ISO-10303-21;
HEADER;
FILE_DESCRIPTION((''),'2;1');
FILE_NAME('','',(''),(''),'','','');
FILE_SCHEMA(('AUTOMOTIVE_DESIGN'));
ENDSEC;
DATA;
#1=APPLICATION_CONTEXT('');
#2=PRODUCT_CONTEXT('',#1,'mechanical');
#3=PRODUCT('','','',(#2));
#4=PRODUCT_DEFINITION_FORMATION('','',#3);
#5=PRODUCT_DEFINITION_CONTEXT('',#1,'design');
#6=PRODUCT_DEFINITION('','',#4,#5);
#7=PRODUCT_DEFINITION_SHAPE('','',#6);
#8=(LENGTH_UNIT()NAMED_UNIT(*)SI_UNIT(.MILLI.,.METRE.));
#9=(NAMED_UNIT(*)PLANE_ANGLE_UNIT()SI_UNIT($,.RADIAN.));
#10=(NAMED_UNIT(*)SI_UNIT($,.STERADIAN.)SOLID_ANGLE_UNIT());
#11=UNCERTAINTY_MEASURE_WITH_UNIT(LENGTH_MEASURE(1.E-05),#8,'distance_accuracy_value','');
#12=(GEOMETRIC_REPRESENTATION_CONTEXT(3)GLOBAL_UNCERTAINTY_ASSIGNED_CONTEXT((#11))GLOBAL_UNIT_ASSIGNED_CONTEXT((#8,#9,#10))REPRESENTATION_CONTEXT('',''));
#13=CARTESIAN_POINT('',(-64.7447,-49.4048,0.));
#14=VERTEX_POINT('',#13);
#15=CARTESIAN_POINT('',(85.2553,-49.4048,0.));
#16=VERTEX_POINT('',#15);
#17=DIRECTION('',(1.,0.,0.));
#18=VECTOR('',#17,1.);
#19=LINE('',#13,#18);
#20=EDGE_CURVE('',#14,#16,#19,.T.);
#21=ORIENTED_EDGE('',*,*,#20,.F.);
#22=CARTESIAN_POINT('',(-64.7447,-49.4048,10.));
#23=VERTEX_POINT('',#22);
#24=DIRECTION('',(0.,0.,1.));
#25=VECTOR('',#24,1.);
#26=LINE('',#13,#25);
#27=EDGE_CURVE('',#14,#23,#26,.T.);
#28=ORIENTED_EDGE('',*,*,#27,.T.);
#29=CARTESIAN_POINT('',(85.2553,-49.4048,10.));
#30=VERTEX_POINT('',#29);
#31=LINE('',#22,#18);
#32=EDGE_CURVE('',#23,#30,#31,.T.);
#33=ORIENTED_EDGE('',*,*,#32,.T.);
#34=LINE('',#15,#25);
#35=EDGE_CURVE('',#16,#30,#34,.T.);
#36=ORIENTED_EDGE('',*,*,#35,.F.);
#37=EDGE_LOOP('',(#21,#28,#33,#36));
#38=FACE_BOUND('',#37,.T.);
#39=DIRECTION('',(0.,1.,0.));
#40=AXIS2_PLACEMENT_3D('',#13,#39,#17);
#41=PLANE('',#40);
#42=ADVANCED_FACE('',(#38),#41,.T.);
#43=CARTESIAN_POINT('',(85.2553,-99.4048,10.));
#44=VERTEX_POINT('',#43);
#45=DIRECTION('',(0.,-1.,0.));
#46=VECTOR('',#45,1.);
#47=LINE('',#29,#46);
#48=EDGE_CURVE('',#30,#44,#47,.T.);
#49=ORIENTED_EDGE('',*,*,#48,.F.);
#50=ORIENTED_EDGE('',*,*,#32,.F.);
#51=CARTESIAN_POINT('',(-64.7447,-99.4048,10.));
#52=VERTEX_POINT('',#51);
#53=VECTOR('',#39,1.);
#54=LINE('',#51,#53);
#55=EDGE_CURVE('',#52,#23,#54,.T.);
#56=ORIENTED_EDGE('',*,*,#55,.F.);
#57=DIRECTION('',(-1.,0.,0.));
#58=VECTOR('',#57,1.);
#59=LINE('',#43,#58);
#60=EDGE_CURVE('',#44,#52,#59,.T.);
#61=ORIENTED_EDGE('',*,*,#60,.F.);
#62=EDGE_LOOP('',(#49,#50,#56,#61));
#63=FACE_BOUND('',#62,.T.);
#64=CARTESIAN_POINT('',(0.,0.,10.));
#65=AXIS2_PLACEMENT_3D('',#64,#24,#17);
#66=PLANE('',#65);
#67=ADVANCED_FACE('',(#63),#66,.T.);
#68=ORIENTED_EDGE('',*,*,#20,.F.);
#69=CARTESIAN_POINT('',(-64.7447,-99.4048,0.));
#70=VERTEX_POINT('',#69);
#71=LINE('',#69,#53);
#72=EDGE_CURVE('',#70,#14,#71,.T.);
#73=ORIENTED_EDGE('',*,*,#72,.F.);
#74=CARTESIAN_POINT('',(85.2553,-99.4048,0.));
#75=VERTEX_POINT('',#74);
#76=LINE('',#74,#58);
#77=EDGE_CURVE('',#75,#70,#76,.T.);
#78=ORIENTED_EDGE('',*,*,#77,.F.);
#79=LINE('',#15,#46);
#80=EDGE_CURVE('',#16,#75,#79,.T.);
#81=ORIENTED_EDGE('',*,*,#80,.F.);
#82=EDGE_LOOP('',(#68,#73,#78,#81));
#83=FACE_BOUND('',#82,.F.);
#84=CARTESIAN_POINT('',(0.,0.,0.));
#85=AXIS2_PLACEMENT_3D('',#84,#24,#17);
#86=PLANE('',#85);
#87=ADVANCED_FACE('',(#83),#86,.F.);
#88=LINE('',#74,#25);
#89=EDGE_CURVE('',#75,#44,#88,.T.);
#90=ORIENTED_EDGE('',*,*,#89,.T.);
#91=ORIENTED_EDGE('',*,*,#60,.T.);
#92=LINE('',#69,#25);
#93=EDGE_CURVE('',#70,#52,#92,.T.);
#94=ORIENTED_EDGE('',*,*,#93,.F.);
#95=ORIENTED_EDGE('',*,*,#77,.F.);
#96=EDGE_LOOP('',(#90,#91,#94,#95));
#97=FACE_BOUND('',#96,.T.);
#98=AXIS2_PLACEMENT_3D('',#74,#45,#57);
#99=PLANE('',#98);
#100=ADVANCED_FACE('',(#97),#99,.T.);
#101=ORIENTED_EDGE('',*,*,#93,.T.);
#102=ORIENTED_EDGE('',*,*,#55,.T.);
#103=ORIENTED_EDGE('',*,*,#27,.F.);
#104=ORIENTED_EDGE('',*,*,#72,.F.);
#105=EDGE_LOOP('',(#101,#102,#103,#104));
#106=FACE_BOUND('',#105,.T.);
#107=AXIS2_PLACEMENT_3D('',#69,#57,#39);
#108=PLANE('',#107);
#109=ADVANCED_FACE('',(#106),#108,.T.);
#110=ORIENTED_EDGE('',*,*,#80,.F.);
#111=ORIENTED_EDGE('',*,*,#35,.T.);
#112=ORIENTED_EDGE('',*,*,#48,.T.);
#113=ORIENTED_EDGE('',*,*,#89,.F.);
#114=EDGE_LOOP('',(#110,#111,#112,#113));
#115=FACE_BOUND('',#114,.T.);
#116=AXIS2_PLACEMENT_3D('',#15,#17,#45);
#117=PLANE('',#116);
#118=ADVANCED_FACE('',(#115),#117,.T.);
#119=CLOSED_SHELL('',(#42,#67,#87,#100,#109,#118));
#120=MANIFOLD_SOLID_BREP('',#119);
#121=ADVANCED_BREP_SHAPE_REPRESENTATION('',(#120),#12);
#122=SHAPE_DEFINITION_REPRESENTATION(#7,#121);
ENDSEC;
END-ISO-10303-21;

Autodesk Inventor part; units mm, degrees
ref_plane "YZ Plane" through (0, 0, 0) normal (1, 0, 0) x (0, 1, 0)
ref_plane "XZ Plane" through (0, 0, 0) normal (0, 1, 0) x (-1, 0, 0)
ref_plane "XY Plane" through (0, 0, 0) normal (0, 0, 1) x (1, 0, 0)
sketch "Boceto1" plane through (0, 0, 0) normal (0, 0, 1) x (1, 0, 0)
  line L0 (-64.7447, -49.4048) -> (85.2553, -49.4048)
  line L1 (85.2553, -49.4048) -> (85.2553, -99.4048)
  line L2 (85.2553, -99.4048) -> (-64.7447, -99.4048)
  line L3 (-64.7447, -99.4048) -> (-64.7447, -49.4048)
  point P0 (0, 0)
  point P1 (-14.8048, 10)
  dimension "d0" = 150
  dimension "d1" = 50
extrude "Extrusión1" add sketch "Boceto1" along normal blind 10
properties part number "B_centro" material "Hierro, fundido"
